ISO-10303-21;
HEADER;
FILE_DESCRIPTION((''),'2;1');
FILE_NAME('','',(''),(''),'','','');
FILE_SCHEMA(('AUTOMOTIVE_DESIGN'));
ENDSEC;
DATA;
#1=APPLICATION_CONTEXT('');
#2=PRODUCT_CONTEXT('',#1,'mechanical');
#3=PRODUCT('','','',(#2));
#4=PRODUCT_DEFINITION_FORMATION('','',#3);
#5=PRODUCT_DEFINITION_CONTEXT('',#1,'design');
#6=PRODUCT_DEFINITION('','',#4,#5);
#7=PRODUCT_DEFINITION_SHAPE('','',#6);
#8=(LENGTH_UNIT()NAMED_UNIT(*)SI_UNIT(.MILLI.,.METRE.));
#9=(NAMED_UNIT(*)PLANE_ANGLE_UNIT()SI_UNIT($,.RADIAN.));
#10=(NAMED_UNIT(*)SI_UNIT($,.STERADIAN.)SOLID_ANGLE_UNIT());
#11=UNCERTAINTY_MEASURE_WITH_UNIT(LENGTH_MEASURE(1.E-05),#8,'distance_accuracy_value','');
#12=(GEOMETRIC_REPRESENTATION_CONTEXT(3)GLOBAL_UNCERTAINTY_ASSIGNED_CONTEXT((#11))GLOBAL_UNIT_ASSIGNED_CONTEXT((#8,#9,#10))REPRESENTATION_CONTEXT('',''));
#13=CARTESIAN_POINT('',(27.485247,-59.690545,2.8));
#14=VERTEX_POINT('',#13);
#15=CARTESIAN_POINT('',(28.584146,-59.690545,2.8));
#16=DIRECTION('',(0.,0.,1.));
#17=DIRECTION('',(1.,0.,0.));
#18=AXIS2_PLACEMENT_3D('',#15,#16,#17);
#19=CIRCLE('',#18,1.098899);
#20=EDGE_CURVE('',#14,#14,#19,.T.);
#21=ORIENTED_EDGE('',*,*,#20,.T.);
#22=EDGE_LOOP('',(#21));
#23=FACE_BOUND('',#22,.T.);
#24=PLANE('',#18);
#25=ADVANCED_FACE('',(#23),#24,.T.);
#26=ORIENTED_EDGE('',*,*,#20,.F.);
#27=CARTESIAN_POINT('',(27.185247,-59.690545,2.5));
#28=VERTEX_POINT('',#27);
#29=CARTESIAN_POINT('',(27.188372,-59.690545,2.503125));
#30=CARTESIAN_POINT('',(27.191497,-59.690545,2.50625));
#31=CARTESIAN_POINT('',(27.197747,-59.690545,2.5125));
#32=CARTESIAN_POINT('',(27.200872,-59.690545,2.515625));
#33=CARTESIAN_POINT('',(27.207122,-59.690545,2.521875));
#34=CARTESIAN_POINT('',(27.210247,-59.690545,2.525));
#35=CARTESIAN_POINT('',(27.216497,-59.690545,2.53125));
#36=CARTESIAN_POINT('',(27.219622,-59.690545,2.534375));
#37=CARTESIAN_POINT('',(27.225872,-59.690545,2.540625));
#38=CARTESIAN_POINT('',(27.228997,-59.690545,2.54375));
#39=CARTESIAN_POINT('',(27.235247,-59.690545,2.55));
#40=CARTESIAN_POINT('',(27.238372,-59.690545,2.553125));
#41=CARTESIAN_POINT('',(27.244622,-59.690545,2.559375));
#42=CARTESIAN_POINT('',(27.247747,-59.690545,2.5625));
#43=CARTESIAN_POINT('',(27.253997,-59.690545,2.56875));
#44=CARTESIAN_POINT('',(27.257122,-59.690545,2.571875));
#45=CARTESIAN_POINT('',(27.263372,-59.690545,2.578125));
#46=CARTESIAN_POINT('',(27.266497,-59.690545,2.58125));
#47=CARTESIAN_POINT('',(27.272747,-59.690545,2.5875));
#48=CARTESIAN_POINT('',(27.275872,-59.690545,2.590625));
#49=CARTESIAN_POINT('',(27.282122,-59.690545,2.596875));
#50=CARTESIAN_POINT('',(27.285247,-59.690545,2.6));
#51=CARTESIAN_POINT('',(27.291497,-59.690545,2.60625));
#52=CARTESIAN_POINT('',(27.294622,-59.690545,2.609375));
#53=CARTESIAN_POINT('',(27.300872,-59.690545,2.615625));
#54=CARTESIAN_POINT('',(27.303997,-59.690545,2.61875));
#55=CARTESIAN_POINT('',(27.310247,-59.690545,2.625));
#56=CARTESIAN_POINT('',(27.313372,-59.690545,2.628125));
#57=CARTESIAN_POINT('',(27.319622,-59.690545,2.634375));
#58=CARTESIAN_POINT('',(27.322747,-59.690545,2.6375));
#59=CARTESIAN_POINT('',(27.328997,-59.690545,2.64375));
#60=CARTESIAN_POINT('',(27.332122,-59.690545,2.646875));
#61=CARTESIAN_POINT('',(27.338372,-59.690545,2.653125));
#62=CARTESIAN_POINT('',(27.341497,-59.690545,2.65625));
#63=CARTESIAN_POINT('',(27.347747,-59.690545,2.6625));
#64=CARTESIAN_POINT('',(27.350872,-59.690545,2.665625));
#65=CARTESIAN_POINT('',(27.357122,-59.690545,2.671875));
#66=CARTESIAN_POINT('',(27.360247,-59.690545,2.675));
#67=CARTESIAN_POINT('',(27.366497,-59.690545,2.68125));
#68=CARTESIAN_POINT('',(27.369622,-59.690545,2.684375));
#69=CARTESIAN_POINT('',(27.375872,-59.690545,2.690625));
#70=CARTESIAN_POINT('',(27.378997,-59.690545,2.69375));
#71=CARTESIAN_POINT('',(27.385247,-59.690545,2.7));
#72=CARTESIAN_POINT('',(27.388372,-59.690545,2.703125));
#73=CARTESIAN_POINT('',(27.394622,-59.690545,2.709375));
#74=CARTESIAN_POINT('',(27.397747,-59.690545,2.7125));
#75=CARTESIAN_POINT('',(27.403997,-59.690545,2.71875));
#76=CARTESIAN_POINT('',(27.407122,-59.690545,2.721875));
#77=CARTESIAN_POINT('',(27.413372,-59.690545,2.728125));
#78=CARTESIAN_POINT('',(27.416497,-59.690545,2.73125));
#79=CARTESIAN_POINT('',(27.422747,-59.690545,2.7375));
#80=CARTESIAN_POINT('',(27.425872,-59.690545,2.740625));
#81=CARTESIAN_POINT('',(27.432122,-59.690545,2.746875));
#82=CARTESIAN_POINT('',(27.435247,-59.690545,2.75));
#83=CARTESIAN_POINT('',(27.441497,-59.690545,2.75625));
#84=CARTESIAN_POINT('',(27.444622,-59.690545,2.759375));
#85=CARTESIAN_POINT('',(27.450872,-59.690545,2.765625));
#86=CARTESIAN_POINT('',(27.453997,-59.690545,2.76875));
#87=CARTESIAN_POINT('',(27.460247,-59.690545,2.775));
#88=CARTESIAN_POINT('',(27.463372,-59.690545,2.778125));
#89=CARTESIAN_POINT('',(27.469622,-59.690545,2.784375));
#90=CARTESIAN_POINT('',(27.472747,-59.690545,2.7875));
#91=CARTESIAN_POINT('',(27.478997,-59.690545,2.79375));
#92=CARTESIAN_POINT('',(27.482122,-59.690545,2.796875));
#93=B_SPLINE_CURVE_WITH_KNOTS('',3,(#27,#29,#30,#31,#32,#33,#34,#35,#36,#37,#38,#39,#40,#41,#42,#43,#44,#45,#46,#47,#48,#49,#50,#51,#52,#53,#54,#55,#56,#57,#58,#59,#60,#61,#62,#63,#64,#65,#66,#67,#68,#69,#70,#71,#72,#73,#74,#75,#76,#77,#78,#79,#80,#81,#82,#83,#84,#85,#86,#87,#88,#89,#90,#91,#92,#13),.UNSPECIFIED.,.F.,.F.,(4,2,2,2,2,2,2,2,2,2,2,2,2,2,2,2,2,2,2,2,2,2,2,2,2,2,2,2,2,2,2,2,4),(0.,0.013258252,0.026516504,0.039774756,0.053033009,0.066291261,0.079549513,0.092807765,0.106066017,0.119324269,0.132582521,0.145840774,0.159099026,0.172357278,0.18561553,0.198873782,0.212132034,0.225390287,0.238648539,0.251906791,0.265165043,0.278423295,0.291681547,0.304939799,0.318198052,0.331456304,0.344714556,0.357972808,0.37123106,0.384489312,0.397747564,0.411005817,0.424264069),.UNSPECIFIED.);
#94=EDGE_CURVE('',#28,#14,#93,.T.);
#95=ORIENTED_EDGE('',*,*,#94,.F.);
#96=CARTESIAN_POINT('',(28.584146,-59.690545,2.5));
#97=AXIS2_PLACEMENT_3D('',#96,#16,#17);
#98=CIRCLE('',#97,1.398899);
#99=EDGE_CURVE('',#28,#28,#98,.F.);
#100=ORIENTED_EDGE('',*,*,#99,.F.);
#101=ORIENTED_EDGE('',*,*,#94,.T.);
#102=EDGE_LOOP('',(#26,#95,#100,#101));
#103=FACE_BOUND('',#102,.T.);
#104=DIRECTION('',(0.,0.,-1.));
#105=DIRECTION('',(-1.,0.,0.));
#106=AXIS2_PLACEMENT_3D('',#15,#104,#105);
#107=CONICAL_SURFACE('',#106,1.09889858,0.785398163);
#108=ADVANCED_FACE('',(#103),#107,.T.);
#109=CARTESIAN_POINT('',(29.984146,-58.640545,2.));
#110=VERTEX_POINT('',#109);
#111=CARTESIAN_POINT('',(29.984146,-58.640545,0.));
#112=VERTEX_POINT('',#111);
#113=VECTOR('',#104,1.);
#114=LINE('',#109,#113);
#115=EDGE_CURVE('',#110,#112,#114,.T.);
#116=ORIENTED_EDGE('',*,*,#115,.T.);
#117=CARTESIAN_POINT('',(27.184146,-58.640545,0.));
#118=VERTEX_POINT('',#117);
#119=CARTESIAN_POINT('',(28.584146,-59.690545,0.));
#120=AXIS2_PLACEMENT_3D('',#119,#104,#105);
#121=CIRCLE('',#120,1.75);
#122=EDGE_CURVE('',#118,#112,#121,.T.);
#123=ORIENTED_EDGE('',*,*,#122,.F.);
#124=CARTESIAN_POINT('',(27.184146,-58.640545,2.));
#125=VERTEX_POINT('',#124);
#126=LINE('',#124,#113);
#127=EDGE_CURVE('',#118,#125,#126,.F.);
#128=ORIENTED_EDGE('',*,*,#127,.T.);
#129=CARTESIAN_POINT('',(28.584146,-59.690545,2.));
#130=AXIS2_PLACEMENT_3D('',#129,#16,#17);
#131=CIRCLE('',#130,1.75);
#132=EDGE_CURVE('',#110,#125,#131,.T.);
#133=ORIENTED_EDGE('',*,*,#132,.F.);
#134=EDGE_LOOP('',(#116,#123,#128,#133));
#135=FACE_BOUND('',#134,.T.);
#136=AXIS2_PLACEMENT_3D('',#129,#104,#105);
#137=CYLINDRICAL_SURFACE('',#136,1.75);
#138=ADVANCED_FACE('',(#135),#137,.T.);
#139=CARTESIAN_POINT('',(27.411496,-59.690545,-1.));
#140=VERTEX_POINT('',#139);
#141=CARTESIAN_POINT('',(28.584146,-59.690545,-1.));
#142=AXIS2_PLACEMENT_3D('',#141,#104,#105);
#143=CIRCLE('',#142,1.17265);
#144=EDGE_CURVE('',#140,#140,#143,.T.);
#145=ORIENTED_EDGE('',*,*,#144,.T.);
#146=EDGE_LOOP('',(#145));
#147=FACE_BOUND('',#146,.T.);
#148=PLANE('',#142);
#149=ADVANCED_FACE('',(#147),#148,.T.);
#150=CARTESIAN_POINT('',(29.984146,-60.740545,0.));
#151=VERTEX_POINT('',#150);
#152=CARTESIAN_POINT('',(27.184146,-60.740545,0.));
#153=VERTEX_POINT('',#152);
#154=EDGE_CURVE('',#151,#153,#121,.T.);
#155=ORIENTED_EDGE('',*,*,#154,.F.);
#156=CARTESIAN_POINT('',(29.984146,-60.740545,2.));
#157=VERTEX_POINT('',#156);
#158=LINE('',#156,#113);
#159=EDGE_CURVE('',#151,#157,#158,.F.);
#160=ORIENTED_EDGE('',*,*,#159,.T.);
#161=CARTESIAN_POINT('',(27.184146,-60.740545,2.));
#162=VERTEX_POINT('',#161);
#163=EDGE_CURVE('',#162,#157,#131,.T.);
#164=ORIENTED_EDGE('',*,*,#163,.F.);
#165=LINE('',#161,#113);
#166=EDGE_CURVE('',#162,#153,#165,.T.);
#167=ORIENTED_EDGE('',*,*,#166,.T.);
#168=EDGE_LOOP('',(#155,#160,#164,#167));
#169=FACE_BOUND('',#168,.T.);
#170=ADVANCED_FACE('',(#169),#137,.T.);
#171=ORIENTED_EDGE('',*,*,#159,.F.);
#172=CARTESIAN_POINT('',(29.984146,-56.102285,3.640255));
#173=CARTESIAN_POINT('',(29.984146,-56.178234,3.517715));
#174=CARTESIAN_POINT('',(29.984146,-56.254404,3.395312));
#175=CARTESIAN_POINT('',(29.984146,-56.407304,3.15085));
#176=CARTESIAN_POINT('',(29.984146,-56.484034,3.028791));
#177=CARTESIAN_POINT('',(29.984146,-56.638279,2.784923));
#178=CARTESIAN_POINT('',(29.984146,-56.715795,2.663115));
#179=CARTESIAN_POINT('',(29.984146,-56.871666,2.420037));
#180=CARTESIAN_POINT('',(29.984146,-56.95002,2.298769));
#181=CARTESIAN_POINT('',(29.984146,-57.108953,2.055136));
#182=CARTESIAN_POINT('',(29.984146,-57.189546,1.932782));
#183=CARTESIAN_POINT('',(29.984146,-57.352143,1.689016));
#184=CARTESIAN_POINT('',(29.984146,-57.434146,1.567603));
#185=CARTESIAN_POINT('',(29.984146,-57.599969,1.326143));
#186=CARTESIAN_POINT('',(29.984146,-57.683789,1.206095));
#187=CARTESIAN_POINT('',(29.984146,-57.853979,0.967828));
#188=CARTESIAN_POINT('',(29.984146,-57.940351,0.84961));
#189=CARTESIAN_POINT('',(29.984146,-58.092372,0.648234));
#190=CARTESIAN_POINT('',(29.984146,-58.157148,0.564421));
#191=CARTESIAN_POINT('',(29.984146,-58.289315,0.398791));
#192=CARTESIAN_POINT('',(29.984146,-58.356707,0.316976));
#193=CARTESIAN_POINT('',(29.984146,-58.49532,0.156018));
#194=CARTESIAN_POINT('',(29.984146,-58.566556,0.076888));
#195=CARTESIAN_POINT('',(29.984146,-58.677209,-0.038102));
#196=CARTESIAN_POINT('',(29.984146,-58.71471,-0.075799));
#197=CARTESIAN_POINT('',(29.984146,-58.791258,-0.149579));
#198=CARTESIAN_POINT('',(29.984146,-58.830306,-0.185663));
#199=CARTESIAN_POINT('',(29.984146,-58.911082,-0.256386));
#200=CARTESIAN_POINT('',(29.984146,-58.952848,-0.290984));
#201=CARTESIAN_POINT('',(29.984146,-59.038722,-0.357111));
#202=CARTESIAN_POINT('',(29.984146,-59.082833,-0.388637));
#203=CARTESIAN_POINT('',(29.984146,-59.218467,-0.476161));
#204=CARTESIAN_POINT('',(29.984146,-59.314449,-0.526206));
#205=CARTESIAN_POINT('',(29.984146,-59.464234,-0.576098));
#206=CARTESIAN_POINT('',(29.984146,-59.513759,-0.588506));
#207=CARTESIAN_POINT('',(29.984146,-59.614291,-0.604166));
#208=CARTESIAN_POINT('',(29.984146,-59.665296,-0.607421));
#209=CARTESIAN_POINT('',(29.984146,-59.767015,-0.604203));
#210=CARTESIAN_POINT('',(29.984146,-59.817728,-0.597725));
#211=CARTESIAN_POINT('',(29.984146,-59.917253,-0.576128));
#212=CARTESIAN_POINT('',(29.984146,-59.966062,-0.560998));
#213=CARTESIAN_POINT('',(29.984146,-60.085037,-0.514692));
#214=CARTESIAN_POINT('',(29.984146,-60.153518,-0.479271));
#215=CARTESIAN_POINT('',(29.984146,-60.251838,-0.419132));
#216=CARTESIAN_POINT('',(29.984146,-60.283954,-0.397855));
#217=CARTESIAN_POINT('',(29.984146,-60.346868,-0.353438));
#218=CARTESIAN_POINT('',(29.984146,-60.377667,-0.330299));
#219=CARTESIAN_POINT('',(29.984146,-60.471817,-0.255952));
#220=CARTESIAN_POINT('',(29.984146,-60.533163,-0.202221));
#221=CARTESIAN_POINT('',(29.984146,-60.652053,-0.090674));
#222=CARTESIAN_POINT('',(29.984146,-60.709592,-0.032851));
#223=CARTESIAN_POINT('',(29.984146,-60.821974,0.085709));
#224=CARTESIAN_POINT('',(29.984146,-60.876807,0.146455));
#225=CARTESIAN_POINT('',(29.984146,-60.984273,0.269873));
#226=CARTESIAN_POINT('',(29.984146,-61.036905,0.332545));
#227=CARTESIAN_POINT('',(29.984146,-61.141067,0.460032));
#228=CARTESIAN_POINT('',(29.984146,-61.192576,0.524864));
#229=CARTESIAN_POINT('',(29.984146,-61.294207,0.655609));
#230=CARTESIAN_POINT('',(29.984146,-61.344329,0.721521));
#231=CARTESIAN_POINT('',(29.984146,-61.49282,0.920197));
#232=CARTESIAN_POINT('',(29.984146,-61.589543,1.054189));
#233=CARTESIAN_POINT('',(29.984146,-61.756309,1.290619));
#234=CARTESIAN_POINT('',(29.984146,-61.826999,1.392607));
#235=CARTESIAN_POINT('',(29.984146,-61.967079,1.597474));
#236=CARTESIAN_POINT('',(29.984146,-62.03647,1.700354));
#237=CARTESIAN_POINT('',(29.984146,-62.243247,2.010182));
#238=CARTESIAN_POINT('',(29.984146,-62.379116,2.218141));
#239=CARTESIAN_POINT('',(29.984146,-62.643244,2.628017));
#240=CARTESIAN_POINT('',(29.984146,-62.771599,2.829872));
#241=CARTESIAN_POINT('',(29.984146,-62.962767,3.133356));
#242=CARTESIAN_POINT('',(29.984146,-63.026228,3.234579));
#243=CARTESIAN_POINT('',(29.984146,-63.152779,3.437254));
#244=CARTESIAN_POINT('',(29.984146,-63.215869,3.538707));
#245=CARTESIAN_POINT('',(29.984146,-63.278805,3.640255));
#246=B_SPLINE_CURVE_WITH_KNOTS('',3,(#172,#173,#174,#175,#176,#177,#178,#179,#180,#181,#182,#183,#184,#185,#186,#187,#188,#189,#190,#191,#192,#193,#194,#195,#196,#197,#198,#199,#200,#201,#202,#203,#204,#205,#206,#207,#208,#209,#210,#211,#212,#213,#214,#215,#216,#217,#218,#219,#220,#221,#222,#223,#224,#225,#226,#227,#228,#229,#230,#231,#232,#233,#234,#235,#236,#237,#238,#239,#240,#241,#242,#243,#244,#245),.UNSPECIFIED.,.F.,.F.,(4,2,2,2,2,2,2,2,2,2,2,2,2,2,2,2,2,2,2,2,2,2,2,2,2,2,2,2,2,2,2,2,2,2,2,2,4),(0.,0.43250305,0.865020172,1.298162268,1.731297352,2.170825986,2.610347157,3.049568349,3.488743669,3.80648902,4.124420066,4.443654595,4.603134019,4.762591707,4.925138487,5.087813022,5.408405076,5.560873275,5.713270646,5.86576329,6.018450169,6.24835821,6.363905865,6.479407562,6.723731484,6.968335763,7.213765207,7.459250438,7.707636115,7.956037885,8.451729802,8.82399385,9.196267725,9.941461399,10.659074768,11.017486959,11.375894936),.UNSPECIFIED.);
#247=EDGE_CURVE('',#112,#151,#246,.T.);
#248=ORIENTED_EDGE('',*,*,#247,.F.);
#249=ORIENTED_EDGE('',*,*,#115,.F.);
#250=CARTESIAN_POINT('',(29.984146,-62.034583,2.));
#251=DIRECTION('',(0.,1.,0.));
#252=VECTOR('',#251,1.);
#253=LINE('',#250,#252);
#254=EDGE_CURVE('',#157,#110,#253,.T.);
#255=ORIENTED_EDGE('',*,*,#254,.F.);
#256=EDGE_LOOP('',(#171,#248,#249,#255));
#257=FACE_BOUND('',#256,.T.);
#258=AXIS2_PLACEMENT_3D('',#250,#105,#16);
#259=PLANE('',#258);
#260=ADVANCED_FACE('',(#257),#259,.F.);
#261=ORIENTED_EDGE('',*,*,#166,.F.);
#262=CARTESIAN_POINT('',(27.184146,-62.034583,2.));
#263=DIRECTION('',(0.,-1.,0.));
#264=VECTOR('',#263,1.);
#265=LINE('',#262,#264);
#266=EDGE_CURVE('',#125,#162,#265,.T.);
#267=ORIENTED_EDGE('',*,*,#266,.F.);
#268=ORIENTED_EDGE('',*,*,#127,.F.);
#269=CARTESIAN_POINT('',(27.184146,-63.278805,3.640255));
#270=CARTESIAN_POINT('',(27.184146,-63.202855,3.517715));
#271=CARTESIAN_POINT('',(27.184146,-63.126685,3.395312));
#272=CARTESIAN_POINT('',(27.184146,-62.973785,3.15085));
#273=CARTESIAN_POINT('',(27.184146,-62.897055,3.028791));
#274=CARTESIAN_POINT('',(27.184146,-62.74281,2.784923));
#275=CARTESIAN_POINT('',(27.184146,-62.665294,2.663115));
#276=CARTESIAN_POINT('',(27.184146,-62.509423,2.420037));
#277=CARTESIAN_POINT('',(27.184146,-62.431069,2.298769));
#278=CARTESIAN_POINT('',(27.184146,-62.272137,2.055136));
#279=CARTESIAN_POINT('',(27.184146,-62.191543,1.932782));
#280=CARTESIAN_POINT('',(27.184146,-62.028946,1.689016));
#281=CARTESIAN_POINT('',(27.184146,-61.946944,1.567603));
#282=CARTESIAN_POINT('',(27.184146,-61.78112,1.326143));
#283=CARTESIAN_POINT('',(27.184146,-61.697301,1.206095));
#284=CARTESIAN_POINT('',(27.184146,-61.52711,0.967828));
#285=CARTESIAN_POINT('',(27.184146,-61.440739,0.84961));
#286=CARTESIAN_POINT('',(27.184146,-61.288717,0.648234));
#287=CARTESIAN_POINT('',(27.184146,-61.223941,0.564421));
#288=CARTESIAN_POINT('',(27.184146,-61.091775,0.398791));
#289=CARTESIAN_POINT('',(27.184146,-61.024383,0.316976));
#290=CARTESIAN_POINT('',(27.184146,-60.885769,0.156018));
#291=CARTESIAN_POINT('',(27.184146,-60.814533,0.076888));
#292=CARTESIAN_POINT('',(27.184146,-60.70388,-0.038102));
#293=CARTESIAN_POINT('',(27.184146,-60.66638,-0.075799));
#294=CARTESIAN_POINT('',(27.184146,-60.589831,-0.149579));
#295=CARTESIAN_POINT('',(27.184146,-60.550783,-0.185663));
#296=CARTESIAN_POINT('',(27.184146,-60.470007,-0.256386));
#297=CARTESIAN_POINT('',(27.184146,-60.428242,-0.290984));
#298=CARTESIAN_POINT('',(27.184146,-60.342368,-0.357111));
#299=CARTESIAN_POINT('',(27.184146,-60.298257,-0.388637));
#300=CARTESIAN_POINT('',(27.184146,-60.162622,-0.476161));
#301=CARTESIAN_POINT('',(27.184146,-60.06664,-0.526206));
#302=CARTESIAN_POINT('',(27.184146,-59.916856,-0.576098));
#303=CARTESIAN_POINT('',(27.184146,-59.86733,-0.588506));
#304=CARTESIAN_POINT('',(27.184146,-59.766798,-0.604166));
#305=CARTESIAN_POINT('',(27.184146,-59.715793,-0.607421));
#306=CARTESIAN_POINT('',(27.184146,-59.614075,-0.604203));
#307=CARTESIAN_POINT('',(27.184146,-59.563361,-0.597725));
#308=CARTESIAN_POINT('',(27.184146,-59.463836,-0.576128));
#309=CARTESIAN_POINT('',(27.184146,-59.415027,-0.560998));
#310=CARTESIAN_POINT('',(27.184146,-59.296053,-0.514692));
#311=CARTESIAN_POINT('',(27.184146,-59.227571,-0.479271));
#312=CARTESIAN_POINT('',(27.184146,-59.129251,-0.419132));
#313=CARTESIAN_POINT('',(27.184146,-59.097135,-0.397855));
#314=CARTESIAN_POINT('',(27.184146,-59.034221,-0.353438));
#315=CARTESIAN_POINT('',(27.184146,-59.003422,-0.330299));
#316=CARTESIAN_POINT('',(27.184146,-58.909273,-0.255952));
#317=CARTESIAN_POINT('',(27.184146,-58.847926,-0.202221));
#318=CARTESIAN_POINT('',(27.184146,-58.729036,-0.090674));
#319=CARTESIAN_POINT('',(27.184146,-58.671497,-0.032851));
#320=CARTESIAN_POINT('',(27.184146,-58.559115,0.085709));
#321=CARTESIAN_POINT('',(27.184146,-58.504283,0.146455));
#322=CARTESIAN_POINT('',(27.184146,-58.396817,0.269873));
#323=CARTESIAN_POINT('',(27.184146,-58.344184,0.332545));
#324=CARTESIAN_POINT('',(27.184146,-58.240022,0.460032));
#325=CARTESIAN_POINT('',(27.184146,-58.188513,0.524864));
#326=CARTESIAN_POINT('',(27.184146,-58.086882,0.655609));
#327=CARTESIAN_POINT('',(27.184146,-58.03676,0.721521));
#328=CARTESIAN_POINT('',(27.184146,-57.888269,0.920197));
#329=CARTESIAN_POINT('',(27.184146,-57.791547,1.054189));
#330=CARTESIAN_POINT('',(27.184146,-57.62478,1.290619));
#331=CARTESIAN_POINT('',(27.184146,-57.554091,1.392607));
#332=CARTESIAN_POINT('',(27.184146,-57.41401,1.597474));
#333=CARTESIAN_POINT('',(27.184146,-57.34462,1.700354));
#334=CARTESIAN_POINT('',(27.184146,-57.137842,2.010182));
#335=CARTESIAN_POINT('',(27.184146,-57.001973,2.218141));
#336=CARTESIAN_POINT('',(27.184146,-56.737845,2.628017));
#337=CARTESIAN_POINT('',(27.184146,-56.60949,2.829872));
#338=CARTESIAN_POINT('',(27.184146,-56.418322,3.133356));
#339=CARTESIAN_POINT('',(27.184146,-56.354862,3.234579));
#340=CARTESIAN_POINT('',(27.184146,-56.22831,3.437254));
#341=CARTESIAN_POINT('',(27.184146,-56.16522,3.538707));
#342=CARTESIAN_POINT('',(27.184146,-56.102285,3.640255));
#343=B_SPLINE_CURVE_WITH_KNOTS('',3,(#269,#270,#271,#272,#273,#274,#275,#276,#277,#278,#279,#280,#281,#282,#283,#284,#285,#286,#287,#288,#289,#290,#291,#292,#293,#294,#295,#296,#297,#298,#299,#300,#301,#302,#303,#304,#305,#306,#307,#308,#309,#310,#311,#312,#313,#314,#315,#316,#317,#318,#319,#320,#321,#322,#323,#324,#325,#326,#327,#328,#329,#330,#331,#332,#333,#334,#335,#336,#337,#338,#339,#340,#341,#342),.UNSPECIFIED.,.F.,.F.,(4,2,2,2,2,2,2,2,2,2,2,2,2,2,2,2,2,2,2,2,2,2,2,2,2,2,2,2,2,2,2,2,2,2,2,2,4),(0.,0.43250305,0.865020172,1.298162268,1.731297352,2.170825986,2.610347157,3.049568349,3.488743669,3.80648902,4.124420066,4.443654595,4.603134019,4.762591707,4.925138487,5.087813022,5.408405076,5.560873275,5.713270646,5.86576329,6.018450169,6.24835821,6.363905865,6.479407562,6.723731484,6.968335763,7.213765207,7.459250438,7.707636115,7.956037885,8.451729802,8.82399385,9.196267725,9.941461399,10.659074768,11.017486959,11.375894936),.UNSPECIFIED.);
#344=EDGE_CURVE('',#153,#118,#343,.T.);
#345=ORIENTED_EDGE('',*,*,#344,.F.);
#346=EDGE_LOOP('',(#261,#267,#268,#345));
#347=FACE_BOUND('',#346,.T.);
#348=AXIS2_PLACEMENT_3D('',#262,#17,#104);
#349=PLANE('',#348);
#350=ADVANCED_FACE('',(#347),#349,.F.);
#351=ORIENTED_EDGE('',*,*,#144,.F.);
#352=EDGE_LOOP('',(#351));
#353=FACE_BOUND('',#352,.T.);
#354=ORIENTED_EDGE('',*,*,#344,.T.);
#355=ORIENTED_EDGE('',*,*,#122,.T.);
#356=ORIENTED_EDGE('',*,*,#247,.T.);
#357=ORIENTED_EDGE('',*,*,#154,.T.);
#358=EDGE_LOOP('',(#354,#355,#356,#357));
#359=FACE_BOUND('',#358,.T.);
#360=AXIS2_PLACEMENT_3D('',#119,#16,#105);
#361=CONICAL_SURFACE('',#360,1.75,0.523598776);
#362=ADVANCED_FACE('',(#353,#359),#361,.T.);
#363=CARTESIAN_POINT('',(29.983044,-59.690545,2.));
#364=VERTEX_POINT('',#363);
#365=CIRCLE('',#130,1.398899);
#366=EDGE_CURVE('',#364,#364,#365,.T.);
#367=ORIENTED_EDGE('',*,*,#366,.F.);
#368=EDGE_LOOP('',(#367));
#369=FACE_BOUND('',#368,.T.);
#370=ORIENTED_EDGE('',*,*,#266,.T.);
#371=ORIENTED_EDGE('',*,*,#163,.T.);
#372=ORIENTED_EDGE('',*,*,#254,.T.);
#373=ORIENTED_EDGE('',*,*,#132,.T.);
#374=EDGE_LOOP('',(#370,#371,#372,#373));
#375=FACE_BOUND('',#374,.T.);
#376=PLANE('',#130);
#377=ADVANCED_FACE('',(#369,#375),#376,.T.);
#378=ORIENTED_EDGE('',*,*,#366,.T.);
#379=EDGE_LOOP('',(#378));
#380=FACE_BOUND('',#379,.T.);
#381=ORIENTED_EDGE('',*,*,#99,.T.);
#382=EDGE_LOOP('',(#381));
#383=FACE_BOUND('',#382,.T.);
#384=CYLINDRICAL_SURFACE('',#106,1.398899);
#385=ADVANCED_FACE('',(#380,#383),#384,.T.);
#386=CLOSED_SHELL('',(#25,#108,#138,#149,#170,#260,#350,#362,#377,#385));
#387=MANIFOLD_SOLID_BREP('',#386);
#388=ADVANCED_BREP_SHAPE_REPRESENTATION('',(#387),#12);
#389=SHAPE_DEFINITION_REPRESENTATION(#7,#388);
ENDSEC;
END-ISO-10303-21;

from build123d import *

# Parameters (mm, degrees)
SKETCH_1_R          = 1.75
EXTRUDE_1_DEPTH     = 2
SKETCH_2_R          = 1.39889858
EXTRUDE_2_DEPTH     = 0.8
CHAMFER_1_SIZE      = 0.3
SKETCH_3_R          = 1.75
EXTRUDE_3_DEPTH     = 1
EXTRUDE_3_TAPER     = 30
SKETCH_4_W          = 1.530864342
SKETCH_4_H          = 4.455127657
SKETCH_4_W_2        = 1.518367491
CUT_EXTRUDE_2_DEPTH = 3


with BuildPart() as part:
    # 草图1 → 凸台-拉伸1 (new body)
    with BuildSketch(Plane.XY):
        with Locations((28.584145679, -59.690544666)):
            Circle(SKETCH_1_R)
    extrude(amount=EXTRUDE_1_DEPTH)

    # 草图2 → 凸台-拉伸2 (add)
    with BuildSketch(Plane.XY.offset(2)):
        with Locations((28.584145679, -59.690544666)):
            Circle(SKETCH_2_R)
    extrude(amount=EXTRUDE_2_DEPTH)

    # 倒角1
    chamfer_1_edges = [part.edges().sort_by_distance(p)[0] for p in [
        (27.185247099, -59.690544666, 2.8),
    ]]
    chamfer(chamfer_1_edges, length=CHAMFER_1_SIZE)

    # 草图3 → 凸台-拉伸3 (add)
    with BuildSketch(Plane(origin=(0, 0, 0), x_dir=(-1, 0, 0), z_dir=(0, 0, -1))):
        with Locations((-28.584145679, -59.690544666)):
            Circle(SKETCH_3_R)
    extrude(amount=EXTRUDE_3_DEPTH, taper=EXTRUDE_3_TAPER)

    # 草图4 → 切除-拉伸2 (cut)
    with BuildSketch(Plane(origin=(0, 0, -1), x_dir=(-1, 0, 0), z_dir=(0, 0, -1))):
        with Locations((-26.418713508, -59.807019358)):
            Rectangle(SKETCH_4_W, SKETCH_4_H)
        with Locations((-30.743329425, -59.807019358)):
            Rectangle(SKETCH_4_W_2, SKETCH_4_H)
    extrude(amount=-CUT_EXTRUDE_2_DEPTH, mode=Mode.SUBTRACT)


solid = part.part
